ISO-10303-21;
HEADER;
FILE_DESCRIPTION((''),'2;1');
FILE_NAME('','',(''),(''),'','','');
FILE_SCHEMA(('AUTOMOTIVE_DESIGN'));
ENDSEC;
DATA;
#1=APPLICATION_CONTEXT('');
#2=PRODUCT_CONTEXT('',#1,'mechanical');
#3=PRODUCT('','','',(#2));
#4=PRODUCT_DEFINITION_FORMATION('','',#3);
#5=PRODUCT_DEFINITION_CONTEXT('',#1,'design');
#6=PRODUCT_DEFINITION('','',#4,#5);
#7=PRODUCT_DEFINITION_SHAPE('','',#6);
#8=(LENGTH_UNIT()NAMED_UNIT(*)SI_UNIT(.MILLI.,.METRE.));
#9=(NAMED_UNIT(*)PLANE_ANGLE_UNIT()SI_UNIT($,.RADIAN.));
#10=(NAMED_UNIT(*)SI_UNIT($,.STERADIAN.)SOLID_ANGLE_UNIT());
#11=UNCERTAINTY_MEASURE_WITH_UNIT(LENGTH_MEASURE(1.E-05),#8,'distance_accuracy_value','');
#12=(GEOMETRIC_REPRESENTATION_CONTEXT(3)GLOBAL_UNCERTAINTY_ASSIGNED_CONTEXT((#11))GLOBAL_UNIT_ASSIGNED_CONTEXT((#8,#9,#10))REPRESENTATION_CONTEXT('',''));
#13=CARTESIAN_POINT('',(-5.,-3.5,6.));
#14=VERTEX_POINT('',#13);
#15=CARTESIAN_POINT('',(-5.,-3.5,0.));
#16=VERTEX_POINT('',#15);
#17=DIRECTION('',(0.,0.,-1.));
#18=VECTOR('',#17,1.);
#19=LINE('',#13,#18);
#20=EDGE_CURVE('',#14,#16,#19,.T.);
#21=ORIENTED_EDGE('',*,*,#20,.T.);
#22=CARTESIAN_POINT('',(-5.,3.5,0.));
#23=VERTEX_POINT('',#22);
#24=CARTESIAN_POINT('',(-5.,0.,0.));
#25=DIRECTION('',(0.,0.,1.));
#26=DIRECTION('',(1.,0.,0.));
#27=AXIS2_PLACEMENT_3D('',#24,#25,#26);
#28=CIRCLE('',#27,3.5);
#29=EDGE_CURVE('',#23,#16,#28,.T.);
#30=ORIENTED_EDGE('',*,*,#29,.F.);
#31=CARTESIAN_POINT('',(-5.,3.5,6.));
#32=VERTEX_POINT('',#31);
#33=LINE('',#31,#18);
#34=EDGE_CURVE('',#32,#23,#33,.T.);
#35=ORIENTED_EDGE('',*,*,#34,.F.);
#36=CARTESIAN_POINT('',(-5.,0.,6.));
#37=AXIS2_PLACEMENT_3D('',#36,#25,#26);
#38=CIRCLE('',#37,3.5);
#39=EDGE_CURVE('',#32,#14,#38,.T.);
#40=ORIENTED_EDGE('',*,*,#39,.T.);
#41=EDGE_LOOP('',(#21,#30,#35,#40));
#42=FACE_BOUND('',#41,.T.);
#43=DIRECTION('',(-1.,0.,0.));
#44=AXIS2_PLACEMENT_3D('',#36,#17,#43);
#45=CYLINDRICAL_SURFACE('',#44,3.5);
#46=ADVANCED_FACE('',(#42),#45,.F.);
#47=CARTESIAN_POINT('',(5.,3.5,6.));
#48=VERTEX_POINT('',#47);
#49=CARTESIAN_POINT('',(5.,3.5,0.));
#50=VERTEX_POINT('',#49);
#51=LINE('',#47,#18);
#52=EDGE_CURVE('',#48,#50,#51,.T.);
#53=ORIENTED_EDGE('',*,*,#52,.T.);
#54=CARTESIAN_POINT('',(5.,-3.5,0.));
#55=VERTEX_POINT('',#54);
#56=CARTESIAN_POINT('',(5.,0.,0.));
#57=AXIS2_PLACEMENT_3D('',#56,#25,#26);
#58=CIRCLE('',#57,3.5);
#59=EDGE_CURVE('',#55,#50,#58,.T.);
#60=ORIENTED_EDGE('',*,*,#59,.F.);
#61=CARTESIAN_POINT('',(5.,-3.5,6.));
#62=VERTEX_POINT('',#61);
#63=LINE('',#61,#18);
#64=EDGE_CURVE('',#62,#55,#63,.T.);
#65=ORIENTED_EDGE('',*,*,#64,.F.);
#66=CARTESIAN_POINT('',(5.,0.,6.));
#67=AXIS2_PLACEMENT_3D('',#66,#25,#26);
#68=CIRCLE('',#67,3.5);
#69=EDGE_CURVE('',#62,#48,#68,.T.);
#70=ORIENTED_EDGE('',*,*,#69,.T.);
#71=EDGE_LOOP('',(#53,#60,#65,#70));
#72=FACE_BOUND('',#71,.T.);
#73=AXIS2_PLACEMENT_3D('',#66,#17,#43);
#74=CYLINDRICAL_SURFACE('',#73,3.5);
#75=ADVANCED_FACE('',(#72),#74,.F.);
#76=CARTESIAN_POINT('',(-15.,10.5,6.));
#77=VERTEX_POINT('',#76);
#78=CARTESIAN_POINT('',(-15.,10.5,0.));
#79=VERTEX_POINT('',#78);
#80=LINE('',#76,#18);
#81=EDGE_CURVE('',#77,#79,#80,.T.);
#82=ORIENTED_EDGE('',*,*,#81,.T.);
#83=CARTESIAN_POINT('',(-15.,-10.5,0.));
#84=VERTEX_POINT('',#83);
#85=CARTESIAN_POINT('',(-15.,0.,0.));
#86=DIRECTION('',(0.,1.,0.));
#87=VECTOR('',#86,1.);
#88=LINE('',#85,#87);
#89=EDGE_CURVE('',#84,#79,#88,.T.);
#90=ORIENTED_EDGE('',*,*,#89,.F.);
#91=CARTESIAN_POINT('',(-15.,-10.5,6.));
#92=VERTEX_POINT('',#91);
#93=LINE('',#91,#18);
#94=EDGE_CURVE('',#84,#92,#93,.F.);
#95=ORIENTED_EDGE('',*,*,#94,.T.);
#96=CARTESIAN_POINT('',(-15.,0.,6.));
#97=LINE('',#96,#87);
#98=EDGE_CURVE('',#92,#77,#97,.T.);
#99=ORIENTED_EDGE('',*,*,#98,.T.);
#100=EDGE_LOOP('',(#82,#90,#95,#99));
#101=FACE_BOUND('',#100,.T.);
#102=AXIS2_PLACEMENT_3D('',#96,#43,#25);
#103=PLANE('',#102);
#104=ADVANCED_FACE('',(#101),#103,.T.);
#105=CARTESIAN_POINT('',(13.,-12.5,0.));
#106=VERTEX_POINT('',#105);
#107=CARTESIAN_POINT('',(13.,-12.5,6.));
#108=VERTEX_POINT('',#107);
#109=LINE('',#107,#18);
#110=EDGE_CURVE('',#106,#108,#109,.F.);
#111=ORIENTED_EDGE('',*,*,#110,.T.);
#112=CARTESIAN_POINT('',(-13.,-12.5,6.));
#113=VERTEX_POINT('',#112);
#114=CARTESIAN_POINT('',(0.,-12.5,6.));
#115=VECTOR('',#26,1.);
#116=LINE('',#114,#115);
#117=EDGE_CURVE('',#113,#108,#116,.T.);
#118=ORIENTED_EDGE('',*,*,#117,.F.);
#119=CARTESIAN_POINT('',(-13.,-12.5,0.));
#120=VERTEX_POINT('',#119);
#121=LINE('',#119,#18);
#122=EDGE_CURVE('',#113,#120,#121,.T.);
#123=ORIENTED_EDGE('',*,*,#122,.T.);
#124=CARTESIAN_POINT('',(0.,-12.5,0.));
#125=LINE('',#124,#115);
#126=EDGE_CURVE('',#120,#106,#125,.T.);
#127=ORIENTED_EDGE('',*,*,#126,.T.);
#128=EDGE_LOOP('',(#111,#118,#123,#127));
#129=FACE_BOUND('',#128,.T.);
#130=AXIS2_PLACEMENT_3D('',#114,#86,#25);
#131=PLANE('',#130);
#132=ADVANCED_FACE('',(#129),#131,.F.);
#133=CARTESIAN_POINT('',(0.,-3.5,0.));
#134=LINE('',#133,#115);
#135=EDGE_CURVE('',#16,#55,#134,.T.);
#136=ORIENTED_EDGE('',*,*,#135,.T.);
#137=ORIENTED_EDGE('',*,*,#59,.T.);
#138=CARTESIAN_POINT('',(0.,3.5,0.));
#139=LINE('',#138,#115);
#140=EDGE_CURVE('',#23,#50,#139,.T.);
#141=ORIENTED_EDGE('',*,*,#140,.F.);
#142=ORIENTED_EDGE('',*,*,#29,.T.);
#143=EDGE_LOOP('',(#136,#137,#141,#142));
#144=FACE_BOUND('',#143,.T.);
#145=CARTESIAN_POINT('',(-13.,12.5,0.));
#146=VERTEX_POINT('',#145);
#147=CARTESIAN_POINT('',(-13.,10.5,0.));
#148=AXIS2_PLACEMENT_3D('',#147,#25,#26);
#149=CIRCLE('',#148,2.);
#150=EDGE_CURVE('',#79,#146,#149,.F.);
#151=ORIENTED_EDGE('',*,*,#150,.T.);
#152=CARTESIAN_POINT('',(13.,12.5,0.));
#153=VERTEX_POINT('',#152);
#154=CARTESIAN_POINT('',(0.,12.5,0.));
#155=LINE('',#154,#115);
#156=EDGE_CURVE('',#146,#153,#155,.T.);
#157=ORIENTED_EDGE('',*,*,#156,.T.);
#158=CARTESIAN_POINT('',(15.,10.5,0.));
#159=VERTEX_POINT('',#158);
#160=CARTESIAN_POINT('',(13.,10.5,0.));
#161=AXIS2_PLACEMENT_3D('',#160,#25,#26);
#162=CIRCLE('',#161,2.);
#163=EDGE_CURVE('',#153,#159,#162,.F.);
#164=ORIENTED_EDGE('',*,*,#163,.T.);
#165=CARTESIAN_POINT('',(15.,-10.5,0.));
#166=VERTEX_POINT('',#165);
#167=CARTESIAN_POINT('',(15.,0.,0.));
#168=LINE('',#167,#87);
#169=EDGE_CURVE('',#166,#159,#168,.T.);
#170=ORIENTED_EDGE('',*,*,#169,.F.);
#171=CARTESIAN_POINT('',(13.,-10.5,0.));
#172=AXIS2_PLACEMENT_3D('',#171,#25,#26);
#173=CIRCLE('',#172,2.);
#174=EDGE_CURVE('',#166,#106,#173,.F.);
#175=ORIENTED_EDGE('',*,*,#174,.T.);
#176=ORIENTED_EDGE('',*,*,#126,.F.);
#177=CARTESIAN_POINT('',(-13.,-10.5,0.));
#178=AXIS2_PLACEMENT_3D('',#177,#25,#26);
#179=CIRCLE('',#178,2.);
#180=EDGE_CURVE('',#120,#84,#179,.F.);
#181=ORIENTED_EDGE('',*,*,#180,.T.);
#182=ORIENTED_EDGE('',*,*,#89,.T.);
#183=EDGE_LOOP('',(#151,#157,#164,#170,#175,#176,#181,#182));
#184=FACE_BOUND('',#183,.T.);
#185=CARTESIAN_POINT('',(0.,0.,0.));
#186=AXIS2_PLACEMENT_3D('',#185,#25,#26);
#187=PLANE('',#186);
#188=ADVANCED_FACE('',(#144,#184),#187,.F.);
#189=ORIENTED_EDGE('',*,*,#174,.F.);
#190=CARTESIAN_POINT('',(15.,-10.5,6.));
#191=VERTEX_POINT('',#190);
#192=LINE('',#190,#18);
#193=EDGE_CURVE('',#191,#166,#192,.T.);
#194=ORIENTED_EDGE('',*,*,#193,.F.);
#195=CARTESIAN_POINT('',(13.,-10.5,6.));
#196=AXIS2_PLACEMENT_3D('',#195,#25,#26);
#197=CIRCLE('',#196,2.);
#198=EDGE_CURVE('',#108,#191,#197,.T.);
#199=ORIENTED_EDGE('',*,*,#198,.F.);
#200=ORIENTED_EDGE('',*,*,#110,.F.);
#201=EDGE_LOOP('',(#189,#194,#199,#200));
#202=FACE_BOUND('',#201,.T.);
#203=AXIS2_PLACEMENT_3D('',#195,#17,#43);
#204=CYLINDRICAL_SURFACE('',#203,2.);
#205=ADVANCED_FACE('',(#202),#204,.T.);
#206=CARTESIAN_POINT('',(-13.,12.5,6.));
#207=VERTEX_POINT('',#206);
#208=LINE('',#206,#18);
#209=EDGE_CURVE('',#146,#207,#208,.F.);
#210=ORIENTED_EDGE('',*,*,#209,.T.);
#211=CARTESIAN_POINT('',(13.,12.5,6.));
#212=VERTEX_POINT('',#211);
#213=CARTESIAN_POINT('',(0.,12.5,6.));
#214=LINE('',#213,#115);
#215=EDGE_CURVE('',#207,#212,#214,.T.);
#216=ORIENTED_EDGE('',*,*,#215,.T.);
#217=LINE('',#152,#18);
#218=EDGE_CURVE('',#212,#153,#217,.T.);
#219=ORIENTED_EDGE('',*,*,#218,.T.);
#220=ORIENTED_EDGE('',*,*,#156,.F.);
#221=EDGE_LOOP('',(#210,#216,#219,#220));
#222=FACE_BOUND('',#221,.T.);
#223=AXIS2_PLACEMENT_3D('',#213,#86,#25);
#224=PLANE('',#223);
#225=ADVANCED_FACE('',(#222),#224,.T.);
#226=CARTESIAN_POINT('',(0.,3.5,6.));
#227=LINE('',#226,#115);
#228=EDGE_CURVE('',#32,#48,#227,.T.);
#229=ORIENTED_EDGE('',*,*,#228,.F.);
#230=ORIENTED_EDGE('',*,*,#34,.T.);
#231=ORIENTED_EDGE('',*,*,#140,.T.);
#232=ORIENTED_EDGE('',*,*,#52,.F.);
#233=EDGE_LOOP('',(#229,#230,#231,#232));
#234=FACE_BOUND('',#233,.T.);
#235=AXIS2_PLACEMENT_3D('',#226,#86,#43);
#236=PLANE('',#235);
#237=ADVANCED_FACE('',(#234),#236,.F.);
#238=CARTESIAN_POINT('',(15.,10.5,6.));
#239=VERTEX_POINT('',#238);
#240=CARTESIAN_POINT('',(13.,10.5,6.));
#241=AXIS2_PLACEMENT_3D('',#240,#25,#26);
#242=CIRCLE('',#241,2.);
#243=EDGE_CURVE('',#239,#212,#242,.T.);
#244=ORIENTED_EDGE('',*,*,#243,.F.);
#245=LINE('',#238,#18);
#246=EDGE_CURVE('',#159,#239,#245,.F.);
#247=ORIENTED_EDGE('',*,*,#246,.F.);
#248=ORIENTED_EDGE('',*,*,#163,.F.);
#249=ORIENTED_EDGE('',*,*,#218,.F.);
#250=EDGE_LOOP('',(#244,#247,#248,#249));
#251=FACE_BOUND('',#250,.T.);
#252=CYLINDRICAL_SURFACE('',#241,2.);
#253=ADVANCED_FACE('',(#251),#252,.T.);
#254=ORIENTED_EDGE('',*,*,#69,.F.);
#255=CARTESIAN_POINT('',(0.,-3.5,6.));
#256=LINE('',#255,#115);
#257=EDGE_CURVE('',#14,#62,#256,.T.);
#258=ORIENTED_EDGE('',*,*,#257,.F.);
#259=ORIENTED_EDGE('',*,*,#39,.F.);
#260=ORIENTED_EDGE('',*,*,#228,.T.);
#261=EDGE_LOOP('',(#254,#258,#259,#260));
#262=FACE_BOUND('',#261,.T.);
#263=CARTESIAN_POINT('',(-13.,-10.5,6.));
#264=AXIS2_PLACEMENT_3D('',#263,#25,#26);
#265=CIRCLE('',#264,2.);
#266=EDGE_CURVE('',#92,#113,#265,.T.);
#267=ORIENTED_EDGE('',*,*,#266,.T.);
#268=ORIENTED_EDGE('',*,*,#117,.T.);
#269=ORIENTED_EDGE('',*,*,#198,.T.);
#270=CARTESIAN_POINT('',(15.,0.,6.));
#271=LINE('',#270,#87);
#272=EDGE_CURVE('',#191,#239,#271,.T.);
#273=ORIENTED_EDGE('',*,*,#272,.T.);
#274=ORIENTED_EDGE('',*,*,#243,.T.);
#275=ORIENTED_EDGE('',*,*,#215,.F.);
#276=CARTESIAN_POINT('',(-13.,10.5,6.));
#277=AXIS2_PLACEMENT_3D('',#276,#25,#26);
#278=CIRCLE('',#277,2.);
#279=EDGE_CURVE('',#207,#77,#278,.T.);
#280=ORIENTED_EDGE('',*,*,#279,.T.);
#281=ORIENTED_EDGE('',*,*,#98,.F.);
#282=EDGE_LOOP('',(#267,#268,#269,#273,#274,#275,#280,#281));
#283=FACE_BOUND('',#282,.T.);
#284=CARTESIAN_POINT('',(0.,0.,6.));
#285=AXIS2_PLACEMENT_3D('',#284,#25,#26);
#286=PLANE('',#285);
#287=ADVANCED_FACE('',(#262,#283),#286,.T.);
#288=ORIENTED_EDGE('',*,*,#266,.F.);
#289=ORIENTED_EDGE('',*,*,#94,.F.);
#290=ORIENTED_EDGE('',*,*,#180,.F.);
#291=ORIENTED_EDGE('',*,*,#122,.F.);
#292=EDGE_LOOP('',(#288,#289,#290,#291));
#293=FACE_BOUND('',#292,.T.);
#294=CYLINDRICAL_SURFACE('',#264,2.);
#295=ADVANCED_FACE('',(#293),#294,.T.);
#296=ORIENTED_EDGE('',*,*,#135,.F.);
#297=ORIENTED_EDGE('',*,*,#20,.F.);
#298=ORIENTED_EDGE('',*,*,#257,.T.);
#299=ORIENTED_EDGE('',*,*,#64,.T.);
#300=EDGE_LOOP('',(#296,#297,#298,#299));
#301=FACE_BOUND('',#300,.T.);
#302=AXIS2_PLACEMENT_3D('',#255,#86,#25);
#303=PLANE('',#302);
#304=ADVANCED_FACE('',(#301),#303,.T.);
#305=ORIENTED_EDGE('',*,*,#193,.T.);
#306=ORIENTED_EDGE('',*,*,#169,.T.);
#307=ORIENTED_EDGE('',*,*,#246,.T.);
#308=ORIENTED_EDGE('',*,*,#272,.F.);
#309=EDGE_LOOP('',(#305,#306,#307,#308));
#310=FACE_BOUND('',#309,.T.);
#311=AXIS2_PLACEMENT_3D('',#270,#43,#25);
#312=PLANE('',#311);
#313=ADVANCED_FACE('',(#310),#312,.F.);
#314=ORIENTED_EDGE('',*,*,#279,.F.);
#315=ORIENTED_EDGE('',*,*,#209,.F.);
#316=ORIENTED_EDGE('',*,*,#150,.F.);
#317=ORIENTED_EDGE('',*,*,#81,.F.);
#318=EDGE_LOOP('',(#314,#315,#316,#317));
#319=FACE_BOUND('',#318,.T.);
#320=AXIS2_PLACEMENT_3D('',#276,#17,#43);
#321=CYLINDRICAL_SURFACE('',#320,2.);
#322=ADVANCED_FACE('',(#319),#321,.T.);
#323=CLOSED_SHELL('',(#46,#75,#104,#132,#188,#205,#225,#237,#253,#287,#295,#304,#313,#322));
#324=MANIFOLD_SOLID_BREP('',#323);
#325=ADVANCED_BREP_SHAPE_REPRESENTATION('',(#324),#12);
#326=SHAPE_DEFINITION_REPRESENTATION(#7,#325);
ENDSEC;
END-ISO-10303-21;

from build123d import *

# Parameters (mm, degrees)
SKETCH_1_W      = 30
SKETCH_1_H      = 25
EXTRUDE_2_DEPTH = 6
FILLET_2_R      = 2


with BuildPart() as part:
    # 스케치1 → 보스-돌출2 (new body)
    with BuildSketch(Plane.XY):
        Rectangle(SKETCH_1_W, SKETCH_1_H)
        with BuildLine():
            ThreePointArc((-5, -3.5), (-8.5, 0), (-5, 3.5))
            Line((-5, 3.5), (5, 3.5))
            ThreePointArc((5, 3.5), (7.474873734, 2.474873734), (8.5, 0))
            ThreePointArc((8.5, 0), (7.474873734, -2.474873734), (5, -3.5))
            Line((5, -3.5), (-5, -3.5))
        make_face(mode=Mode.SUBTRACT)
    extrude(amount=EXTRUDE_2_DEPTH)

    # 필렛2
    fillet_2_edges = [part.edges().sort_by_distance(p)[0] for p in [
        (-15, -12.5, 3),
        (-15, 12.5, 3),
        (15, 12.5, 3),
        (15, -12.5, 3),
    ]]
    fillet(fillet_2_edges, radius=FILLET_2_R)


solid = part.part
